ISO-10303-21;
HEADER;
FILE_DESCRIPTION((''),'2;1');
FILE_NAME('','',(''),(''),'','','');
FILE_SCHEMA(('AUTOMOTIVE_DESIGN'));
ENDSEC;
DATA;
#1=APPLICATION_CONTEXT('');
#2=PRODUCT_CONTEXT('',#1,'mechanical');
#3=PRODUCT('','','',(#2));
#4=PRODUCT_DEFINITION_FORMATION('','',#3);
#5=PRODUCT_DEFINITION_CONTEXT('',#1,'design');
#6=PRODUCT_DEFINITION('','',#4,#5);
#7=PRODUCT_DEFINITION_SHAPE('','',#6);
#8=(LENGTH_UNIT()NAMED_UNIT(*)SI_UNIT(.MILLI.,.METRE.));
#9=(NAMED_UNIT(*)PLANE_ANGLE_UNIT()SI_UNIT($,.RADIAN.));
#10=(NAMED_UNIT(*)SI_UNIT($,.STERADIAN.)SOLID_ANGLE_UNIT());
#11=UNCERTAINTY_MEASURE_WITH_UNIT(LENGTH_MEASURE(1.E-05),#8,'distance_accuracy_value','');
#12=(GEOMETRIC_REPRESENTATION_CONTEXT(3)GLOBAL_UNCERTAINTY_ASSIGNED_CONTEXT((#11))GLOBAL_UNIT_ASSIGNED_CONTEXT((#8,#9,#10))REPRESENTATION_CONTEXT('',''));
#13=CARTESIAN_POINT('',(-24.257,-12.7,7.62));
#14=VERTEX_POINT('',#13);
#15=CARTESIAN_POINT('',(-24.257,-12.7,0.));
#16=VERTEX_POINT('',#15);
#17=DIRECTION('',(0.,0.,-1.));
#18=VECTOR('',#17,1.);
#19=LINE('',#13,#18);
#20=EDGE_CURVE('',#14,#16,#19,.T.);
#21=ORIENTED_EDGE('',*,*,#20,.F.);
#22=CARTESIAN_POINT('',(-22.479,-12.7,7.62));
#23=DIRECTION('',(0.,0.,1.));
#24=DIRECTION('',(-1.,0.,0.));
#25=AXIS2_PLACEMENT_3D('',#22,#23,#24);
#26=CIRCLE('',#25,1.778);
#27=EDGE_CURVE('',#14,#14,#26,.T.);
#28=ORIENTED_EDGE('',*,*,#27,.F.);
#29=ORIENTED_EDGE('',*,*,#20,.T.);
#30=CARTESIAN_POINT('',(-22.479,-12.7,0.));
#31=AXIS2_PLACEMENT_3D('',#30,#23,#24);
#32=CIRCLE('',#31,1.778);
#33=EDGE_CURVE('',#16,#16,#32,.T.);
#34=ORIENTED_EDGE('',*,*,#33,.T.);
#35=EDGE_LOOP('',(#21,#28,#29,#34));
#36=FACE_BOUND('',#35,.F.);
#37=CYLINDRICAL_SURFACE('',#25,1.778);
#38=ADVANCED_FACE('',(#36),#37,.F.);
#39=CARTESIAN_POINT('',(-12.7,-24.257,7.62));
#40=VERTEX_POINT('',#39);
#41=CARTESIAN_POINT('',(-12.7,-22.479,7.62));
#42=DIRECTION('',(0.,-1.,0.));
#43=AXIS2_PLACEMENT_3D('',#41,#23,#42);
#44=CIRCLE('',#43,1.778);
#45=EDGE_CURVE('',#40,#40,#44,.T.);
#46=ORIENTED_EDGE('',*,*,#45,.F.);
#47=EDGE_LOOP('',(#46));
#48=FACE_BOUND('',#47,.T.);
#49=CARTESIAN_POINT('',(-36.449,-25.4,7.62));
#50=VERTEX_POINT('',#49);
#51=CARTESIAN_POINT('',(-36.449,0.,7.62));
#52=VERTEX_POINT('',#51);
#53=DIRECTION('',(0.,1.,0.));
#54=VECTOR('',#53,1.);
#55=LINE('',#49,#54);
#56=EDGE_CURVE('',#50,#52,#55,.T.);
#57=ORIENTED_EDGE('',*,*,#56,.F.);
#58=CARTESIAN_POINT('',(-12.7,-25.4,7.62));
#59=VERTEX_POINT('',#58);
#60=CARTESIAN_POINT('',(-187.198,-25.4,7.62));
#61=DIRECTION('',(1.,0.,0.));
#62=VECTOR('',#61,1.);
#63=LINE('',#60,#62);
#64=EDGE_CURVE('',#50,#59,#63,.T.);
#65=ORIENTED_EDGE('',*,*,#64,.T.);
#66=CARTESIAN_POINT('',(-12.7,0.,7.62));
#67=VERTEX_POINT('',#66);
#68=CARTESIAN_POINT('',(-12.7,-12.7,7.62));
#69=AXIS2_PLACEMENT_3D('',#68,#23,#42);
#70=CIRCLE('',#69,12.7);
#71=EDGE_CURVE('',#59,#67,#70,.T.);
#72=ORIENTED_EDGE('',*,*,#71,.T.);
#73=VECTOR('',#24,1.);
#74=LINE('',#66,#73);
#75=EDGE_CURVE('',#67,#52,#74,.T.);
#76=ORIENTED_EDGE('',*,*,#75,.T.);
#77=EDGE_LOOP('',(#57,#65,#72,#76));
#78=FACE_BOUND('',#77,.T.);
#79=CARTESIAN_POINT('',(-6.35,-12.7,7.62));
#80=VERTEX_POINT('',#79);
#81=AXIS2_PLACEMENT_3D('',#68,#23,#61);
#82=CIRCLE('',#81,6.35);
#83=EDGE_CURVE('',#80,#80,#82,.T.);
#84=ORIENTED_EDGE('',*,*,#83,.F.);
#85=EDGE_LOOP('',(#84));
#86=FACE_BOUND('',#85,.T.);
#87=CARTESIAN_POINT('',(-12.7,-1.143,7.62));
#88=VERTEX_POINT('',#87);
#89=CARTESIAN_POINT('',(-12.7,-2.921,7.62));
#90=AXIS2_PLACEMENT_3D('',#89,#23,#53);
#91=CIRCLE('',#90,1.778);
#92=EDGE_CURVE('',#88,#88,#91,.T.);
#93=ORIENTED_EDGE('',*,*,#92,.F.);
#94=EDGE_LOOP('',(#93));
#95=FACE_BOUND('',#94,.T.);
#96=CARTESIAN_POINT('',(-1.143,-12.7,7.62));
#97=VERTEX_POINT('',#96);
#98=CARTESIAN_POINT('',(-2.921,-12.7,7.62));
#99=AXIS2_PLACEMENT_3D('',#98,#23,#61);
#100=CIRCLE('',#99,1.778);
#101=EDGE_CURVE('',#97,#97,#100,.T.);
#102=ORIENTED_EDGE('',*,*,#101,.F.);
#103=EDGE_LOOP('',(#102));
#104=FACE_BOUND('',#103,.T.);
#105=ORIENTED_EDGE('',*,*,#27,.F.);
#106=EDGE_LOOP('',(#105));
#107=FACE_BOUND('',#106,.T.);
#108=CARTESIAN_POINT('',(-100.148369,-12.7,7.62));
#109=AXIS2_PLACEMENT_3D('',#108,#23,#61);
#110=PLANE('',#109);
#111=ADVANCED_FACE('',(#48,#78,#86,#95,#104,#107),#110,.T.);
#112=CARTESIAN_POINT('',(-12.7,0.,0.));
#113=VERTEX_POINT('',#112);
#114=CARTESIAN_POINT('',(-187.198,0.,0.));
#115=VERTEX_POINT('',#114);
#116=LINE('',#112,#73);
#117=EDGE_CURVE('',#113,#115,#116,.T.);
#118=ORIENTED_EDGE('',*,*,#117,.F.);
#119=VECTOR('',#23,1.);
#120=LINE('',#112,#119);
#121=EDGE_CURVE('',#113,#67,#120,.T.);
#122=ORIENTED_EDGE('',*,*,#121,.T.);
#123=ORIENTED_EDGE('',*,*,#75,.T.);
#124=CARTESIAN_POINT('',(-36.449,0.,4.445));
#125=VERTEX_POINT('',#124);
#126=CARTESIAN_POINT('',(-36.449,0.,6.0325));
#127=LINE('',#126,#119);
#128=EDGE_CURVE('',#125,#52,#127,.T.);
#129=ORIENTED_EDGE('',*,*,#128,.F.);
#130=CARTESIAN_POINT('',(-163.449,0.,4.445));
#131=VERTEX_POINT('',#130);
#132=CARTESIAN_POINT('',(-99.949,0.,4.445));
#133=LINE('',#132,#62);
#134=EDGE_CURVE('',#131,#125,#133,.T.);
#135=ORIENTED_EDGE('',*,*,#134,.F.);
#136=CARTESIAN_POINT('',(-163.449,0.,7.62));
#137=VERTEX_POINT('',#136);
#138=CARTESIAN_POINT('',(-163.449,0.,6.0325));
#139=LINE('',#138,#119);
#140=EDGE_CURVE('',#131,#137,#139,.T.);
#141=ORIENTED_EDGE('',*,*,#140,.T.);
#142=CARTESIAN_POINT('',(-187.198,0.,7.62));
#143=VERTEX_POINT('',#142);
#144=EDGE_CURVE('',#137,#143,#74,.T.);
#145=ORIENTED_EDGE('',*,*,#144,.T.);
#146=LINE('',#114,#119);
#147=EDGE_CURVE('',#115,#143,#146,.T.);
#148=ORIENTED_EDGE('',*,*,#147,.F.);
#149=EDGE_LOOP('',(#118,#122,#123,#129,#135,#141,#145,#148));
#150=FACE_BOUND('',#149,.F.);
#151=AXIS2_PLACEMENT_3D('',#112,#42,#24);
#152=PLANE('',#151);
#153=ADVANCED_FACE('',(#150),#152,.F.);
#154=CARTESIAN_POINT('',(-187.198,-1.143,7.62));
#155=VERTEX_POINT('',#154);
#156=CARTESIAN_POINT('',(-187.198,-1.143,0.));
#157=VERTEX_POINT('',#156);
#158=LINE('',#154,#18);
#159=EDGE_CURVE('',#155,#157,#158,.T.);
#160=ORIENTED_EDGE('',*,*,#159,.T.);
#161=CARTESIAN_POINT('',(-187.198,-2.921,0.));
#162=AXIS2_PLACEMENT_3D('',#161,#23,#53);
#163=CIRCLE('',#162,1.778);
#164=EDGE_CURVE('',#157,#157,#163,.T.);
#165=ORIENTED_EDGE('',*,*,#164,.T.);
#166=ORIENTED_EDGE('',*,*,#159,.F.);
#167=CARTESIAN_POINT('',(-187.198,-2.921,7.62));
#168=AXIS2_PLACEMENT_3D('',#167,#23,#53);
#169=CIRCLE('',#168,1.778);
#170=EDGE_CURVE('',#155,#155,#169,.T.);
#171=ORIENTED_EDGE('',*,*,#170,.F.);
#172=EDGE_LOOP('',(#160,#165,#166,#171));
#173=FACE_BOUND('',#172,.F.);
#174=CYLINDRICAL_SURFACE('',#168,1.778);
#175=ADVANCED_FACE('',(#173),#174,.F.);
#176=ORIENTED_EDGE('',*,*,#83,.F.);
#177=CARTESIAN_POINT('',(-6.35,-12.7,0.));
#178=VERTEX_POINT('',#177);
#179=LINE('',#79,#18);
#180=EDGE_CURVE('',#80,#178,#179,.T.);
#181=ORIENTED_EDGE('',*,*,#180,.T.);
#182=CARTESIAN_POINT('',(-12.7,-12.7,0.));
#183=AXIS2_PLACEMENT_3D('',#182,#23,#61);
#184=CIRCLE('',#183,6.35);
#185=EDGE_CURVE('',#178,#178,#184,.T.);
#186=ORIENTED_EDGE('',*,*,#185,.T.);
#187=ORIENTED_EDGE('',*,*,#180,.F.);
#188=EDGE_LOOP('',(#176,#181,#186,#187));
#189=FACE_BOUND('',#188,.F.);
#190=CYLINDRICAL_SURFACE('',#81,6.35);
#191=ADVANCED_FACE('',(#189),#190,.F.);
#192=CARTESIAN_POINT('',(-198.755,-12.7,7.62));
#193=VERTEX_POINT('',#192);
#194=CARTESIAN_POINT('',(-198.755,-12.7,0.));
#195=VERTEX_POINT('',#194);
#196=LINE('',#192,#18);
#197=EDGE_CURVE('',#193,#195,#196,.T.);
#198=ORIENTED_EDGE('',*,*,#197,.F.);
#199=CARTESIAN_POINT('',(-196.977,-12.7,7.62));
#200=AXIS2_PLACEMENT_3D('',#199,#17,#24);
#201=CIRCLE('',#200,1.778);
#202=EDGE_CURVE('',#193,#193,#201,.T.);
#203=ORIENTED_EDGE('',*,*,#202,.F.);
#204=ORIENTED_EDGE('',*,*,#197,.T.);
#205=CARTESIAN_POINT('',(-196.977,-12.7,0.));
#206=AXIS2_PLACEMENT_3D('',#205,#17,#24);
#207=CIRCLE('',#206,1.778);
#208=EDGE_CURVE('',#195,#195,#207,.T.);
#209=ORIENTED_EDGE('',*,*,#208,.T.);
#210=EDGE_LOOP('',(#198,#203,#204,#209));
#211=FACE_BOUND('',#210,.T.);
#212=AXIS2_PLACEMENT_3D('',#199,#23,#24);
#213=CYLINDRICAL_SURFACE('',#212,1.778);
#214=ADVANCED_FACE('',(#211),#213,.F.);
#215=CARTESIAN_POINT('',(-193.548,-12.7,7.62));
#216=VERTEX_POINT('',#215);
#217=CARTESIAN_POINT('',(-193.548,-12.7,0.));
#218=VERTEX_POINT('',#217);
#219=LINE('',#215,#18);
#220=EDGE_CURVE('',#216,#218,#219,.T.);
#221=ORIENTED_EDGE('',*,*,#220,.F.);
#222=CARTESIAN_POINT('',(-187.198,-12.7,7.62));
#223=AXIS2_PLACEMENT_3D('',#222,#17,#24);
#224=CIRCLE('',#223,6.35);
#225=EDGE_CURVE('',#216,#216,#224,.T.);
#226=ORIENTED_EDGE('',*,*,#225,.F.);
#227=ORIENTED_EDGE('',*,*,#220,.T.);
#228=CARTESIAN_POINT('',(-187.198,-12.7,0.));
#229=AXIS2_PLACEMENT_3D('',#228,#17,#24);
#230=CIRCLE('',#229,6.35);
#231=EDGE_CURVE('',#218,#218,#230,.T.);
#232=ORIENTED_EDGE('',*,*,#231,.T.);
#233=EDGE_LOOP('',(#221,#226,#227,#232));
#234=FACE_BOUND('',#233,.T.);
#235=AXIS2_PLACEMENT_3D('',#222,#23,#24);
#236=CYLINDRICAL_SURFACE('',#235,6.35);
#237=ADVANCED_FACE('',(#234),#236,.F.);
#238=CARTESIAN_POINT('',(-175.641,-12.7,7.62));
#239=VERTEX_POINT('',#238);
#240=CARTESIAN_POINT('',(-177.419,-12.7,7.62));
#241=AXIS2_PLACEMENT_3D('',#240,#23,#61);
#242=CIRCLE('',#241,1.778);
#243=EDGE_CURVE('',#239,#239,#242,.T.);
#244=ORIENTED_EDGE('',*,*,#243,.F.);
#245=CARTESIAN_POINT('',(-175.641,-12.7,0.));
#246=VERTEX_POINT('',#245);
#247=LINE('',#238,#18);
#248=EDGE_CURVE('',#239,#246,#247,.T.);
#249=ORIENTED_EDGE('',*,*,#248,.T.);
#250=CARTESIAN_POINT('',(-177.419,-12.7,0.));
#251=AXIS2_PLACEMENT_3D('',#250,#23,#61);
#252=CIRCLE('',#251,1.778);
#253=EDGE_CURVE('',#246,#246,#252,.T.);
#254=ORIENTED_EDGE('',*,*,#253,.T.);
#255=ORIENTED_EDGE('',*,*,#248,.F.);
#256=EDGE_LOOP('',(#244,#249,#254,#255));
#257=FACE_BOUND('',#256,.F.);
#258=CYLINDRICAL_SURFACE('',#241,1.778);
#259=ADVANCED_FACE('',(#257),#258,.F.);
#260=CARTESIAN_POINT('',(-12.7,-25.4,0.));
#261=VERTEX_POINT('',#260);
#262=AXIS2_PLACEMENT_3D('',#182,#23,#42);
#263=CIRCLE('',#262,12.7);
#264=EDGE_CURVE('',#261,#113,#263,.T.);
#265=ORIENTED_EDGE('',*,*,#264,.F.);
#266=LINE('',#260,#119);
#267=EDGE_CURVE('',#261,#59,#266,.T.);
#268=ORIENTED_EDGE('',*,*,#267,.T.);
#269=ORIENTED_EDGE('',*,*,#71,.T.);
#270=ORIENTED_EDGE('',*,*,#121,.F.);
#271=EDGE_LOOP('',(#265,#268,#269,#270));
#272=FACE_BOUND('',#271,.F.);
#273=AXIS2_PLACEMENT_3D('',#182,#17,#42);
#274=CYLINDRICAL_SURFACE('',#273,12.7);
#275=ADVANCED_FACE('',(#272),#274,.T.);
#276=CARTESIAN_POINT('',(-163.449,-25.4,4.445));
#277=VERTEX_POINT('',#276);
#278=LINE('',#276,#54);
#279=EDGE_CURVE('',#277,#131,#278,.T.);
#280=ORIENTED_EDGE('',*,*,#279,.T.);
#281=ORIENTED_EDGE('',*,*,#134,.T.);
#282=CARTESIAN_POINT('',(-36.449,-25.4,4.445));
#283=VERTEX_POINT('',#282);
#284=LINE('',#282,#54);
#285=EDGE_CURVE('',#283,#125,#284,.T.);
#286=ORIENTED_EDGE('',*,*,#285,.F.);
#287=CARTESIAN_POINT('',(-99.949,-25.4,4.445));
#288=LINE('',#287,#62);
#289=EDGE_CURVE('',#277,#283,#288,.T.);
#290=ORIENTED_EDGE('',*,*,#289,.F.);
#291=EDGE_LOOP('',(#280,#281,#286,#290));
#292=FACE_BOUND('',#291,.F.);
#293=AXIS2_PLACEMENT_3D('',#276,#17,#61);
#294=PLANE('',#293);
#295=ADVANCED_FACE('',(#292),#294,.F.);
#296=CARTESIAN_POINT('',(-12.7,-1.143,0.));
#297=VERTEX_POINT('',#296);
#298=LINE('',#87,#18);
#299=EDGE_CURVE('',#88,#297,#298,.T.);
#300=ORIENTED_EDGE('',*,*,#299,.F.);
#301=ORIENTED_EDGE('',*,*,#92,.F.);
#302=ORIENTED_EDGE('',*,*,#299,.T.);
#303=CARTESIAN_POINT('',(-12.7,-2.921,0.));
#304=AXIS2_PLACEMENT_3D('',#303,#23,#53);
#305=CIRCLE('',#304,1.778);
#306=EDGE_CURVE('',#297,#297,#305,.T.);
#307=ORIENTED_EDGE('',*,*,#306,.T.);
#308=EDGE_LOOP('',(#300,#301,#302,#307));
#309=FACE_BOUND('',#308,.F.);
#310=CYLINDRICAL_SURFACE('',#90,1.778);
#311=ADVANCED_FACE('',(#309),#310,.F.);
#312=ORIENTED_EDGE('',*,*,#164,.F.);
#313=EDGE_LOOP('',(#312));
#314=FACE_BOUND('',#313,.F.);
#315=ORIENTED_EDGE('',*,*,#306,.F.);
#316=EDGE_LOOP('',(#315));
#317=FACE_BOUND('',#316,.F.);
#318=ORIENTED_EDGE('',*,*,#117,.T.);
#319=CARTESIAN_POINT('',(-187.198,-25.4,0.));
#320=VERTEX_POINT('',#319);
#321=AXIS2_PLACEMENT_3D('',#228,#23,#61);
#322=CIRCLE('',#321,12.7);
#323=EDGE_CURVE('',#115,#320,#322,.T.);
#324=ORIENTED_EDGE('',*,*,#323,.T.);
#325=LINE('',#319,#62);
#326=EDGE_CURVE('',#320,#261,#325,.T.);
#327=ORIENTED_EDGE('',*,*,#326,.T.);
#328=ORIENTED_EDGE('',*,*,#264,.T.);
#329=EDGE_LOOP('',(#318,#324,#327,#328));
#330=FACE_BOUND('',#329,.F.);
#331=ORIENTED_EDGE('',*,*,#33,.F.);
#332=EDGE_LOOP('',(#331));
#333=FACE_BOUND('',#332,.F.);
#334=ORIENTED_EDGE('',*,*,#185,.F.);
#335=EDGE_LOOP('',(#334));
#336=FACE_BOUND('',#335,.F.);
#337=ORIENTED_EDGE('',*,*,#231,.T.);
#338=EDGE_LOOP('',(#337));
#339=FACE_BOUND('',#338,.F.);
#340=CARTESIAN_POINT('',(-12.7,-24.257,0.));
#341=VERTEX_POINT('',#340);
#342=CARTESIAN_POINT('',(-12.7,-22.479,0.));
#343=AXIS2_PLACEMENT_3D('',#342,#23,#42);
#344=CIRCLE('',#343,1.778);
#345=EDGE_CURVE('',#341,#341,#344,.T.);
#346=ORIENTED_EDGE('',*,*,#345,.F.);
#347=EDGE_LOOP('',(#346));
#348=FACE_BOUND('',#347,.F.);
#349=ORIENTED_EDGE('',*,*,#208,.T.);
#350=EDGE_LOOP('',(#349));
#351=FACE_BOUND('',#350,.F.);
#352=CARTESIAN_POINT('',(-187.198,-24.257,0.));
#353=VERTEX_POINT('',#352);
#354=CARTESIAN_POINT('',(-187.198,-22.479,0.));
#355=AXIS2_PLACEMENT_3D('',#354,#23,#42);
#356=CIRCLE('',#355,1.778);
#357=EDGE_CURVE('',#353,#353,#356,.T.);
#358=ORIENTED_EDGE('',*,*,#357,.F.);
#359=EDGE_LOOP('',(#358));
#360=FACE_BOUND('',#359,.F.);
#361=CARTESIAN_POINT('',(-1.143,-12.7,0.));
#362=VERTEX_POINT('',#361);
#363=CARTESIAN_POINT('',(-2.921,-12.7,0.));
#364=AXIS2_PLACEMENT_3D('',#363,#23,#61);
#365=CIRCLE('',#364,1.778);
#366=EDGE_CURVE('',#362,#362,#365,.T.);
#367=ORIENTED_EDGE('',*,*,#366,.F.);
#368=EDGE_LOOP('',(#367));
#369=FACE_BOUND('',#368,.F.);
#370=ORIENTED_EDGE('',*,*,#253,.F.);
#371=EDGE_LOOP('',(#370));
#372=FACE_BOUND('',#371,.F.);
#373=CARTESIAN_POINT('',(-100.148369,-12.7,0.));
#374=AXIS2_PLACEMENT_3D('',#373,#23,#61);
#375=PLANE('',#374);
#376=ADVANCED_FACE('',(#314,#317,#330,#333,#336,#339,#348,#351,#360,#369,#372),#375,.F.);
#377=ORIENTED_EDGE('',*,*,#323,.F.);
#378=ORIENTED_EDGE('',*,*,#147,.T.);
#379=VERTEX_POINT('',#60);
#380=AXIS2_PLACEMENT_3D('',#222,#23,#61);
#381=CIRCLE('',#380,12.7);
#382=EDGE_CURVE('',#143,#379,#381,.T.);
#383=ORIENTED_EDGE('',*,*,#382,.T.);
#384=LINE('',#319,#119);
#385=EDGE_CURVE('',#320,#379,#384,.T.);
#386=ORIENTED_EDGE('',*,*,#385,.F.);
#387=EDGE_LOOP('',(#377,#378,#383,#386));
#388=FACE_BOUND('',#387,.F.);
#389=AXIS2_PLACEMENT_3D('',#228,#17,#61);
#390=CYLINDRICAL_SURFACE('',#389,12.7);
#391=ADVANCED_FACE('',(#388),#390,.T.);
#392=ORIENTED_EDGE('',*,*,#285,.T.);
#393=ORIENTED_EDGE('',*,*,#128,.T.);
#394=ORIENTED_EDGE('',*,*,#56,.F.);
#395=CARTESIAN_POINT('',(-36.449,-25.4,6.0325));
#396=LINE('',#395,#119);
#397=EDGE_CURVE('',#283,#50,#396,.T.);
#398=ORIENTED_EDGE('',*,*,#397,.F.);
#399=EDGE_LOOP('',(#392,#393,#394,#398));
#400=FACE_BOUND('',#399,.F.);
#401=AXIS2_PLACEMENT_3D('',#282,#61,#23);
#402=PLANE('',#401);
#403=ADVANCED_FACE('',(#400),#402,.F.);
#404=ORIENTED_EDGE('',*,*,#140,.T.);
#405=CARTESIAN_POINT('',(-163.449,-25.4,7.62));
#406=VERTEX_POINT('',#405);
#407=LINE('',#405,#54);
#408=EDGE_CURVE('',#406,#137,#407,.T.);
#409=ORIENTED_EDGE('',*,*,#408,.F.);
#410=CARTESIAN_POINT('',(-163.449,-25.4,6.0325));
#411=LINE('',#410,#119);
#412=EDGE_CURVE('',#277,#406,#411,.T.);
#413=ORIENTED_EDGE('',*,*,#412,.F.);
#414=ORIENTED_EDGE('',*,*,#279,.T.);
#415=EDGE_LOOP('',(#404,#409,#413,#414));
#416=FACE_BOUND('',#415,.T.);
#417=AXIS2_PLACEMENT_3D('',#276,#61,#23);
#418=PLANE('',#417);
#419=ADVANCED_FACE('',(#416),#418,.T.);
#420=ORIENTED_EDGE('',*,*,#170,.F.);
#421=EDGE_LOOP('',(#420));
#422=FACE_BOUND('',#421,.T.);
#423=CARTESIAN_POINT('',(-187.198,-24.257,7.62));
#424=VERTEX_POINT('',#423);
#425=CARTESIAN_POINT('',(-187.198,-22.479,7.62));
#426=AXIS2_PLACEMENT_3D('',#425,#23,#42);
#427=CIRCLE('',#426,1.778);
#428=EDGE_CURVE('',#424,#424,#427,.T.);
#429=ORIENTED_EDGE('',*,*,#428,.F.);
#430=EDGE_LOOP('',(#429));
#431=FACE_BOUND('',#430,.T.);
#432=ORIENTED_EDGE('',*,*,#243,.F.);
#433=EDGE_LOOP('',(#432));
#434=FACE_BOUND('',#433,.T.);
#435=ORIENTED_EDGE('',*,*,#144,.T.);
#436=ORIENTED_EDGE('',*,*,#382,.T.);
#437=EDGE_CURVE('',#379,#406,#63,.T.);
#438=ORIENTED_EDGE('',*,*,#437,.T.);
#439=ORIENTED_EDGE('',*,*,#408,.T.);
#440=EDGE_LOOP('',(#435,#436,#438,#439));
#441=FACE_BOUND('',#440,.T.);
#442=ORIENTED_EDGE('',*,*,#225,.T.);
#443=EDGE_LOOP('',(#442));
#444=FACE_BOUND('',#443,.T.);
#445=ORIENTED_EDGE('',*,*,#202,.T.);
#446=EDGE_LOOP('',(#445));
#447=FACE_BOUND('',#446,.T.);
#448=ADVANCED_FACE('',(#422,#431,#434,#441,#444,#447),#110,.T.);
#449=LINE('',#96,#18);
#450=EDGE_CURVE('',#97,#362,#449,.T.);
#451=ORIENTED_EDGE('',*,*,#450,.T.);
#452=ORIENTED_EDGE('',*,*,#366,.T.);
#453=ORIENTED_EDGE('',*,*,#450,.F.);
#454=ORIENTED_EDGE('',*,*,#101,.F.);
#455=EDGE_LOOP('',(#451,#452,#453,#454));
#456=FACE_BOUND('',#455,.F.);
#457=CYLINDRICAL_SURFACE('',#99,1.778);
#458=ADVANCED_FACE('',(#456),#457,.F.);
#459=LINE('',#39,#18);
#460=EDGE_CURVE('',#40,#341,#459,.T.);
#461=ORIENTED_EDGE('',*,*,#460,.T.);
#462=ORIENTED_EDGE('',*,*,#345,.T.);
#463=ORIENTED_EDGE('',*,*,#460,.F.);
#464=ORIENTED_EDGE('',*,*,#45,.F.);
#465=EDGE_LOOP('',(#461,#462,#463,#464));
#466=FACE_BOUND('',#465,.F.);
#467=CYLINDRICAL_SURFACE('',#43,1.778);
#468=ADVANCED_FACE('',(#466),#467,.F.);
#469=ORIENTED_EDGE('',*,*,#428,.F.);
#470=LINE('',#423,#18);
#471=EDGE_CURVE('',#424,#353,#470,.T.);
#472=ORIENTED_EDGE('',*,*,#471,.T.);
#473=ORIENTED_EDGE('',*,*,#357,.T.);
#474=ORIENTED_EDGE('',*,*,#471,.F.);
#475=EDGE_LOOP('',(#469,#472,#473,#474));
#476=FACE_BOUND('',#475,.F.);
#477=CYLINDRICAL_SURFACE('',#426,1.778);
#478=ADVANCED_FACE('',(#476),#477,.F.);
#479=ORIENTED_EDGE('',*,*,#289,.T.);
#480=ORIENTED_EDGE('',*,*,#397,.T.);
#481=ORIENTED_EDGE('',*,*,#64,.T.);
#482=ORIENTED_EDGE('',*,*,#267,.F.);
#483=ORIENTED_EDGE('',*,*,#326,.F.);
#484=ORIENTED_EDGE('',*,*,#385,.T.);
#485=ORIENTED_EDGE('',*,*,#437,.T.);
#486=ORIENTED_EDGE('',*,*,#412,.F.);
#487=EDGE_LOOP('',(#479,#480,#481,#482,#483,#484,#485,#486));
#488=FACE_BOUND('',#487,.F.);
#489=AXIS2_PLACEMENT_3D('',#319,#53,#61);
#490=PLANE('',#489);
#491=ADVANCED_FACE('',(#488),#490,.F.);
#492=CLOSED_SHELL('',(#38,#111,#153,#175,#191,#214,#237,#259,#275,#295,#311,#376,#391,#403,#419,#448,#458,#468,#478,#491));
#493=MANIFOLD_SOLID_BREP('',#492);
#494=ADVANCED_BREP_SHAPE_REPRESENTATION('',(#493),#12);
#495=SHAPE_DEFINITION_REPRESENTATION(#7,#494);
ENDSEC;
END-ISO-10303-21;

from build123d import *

# Parameters (mm, degrees)
SKETCH1_R               = 12.7
BOSS_EXTRUDE1_DEPTH     = 7.62
SKETCH2_R               = 6.35
CUT_EXTRUDE1_DEPTH      = 7.62
SKETCH3_R               = 1.778
CUT_EXTRUDE2_DEPTH      = 7.62
CIRPATTERN1_COUNT       = 4
MIRROR1_COPY_1_SKETCH_R = 1.778
MIRROR1_COPY_1_DEPTH    = 7.62
MIRROR1_COPY_2_SKETCH_R = 1.778
MIRROR1_COPY_2_DEPTH    = 7.62
MIRROR1_COPY_3_SKETCH_R = 1.778
MIRROR1_COPY_3_DEPTH    = 7.62
SKETCH4_W               = 127
SKETCH4_H               = 3.175
CUT_EXTRUDE3_DEPTH      = 25.4


with BuildPart() as part:
    # Sketch1 → Boss-Extrude1 (new body)
    with BuildSketch(Plane.XY):
        with BuildLine():
            ThreePointArc((-12.7, -25.4), (-25.4, -12.7), (-12.7, 0))
            Line((-12.7, 0), (-187.198, 0))
            ThreePointArc((-187.198, 0), (-178.217743879, -3.719743879), (-174.498, -12.7))
            ThreePointArc((-174.498, -12.7), (-178.217743879, -21.680256121), (-187.198, -25.4))
            Line((-187.198, -25.4), (-12.7, -25.4))
        make_face()
        with Locations((-187.198, -12.7)):
            Circle(SKETCH1_R)
        with Locations((-12.7, -12.7)):
            Circle(SKETCH1_R)
    extrude(amount=BOSS_EXTRUDE1_DEPTH)

    # Sketch2 → Cut-Extrude1 (cut)
    with BuildSketch(Plane.XY.offset(7.62)):
        with Locations((-12.7, -12.7)):
            Circle(SKETCH2_R)
    cut_extrude1 = extrude(amount=-CUT_EXTRUDE1_DEPTH, mode=Mode.SUBTRACT)

    # Sketch3 → Cut-Extrude2 (cut)
    with BuildSketch(Plane.XY.offset(7.62)):
        with Locations((-2.921, -12.7)):
            Circle(SKETCH3_R)
    cut_extrude2 = extrude(amount=-CUT_EXTRUDE2_DEPTH, mode=Mode.SUBTRACT)

    # CirPattern1: Cut-Extrude2 ×4 about axis
    cirpattern1_axis = Axis((-12.7, -12.7, 0), (0, 0, 1))
    for i in range(1, CIRPATTERN1_COUNT):
        add(cut_extrude2.rotate(cirpattern1_axis, i * 360 / CIRPATTERN1_COUNT), mode=Mode.SUBTRACT)

    # Mirror1: Cut-Extrude1, Cut-Extrude2 across plane
    add(cut_extrude1.mirror(Plane(origin=(-99.949, 0, 0), x_dir=(0, 0, 1), z_dir=(1, 0, 0))), mode=Mode.SUBTRACT)
    add(cut_extrude2.mirror(Plane(origin=(-99.949, 0, 0), x_dir=(0, 0, 1), z_dir=(1, 0, 0))), mode=Mode.SUBTRACT)

    # Mirror1 copy 1 sketch → Mirror1 copy 1 (cut)
    with BuildSketch(Plane(origin=(-174.498, 0, 7.62), x_dir=(0, 1, 0), z_dir=(0, 0, 1))):
        with Locations((-2.921, 12.7)):
            Circle(MIRROR1_COPY_1_SKETCH_R)
    extrude(amount=-MIRROR1_COPY_1_DEPTH, mode=Mode.SUBTRACT)

    # Mirror1 copy 2 sketch → Mirror1 copy 2 (cut)
    with BuildSketch(Plane(origin=(-174.498, -25.4, 7.62), x_dir=(1, 0, 0), z_dir=(0, 0, 1))):
        with Locations((-2.921, 12.7)):
            Circle(MIRROR1_COPY_2_SKETCH_R)
    extrude(amount=-MIRROR1_COPY_2_DEPTH, mode=Mode.SUBTRACT)

    # Mirror1 copy 3 sketch → Mirror1 copy 3 (cut)
    with BuildSketch(Plane(origin=(-199.898, -25.4, 7.62), x_dir=(0, -1, 0), z_dir=(0, 0, 1))):
        with Locations((-2.921, 12.7)):
            Circle(MIRROR1_COPY_3_SKETCH_R)
    extrude(amount=-MIRROR1_COPY_3_DEPTH, mode=Mode.SUBTRACT)

    # Sketch4 → Cut-Extrude3 (cut)
    with BuildSketch(Plane.XZ.offset(25.4)):
        with Locations((-99.949, 6.0325)):
            Rectangle(SKETCH4_W, SKETCH4_H)
    extrude(amount=-CUT_EXTRUDE3_DEPTH, mode=Mode.SUBTRACT)


solid = part.part
